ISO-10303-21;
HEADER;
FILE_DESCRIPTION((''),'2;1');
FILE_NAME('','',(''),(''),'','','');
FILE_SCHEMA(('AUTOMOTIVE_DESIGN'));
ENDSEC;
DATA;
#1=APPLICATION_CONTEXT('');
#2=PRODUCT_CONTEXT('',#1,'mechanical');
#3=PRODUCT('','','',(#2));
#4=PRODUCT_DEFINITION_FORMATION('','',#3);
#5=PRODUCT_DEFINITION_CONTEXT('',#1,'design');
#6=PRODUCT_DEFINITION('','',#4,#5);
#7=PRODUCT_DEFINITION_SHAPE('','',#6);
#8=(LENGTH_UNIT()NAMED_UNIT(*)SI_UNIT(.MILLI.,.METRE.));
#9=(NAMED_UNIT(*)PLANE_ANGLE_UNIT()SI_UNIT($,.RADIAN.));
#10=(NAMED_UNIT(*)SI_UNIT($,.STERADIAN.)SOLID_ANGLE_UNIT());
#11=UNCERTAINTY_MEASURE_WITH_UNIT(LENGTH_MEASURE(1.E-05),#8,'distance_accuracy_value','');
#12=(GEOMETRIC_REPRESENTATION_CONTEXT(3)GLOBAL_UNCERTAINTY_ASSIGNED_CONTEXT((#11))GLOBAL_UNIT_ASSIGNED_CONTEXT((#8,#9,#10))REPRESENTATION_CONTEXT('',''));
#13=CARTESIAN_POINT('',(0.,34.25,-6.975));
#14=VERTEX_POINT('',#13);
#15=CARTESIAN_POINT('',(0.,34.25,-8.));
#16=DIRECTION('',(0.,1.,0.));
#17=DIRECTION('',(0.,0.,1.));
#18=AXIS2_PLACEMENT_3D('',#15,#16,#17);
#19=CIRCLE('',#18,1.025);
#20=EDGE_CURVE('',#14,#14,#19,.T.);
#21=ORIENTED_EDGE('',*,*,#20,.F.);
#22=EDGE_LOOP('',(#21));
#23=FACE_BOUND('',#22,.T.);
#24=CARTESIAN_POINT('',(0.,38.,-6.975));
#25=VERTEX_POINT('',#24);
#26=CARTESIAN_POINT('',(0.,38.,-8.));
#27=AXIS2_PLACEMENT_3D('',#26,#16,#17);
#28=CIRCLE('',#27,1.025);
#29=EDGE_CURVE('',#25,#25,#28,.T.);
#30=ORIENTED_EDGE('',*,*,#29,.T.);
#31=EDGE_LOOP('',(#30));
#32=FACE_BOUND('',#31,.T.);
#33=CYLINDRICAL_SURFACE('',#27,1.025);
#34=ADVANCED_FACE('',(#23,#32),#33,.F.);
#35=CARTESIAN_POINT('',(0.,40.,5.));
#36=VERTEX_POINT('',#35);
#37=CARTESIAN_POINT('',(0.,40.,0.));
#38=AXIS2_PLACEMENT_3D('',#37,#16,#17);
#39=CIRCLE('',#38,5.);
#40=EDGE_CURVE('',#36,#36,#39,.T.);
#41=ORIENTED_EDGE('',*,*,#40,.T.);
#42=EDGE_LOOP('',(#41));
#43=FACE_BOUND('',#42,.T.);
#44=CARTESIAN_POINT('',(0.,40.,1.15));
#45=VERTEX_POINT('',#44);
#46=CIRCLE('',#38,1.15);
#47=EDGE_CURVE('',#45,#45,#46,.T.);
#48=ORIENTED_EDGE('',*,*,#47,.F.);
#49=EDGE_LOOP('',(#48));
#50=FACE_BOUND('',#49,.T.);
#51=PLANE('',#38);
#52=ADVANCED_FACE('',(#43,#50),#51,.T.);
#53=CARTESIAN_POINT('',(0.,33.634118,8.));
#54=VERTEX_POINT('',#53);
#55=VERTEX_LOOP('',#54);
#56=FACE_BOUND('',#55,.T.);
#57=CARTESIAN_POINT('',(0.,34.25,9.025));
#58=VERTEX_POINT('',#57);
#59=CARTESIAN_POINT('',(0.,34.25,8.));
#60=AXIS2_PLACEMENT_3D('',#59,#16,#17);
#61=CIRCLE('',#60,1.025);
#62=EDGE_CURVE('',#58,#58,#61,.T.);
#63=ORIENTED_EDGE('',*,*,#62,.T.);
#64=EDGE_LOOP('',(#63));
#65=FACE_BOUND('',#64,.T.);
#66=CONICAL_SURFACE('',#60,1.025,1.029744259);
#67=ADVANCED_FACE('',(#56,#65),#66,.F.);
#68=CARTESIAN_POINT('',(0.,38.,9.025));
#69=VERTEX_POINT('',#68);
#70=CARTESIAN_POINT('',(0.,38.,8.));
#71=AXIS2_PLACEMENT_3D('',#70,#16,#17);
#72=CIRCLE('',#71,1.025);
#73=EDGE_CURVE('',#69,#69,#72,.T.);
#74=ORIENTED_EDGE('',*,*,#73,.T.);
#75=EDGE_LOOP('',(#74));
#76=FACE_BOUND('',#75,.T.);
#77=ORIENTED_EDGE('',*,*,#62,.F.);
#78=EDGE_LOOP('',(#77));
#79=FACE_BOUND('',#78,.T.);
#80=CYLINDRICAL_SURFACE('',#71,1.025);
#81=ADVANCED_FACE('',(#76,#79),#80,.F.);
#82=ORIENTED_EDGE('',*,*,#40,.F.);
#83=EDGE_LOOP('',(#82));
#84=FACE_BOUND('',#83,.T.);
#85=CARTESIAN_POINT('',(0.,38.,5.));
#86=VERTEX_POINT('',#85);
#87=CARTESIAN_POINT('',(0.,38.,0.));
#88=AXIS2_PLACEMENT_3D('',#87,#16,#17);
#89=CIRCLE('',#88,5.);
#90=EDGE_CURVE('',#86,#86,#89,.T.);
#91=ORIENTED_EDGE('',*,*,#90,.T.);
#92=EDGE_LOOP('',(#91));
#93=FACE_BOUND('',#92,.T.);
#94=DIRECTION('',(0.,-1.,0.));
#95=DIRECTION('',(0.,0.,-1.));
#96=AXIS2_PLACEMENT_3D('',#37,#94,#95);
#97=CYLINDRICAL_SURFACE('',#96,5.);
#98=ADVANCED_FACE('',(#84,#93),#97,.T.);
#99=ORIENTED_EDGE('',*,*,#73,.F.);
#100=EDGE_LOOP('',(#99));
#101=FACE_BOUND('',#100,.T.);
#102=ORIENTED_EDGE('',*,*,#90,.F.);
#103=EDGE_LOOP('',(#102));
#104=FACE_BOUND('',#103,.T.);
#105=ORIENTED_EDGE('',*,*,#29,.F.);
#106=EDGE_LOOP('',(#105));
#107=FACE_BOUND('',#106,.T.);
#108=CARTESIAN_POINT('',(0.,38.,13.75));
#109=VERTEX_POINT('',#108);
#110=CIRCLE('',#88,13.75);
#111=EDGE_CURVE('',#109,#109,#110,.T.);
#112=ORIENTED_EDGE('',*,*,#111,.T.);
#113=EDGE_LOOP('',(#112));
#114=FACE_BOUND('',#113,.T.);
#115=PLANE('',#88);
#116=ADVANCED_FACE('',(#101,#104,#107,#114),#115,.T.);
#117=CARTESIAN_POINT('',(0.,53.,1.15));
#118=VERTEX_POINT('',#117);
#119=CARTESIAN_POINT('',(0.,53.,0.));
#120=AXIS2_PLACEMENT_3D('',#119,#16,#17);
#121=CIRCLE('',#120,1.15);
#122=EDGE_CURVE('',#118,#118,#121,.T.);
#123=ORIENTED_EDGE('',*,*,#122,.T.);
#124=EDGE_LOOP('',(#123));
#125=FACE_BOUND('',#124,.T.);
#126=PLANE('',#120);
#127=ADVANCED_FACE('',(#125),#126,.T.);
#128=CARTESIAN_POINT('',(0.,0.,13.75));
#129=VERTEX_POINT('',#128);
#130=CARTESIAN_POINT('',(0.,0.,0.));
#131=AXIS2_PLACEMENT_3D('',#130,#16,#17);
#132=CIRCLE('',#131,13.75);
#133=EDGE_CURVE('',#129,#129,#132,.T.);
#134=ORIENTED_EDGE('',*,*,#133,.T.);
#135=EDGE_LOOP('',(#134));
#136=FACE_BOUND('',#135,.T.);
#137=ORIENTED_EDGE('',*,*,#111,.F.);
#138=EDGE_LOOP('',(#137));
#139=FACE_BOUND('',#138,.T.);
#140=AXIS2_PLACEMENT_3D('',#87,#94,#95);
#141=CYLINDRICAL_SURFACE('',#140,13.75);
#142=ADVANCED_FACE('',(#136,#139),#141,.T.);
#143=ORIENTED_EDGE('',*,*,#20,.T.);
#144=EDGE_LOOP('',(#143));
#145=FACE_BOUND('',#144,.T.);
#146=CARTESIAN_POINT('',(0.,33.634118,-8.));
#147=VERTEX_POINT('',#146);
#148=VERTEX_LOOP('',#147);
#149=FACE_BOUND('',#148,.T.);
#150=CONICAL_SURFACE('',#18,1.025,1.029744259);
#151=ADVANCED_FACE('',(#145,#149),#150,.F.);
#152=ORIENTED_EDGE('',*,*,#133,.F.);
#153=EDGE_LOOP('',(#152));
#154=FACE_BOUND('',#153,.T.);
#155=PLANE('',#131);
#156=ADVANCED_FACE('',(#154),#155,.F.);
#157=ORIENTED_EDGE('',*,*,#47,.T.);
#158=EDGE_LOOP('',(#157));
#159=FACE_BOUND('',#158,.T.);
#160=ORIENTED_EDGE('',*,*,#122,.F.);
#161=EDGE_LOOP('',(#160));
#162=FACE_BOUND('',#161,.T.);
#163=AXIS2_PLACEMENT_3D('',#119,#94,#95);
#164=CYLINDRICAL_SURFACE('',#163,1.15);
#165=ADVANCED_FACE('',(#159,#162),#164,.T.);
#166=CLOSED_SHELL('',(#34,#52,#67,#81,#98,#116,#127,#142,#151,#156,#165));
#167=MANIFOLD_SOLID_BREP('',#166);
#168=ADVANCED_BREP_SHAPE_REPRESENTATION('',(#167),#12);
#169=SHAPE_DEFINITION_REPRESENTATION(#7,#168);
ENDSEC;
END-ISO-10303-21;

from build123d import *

# Parameters (mm, degrees)
SKETCH_1_R               = 13.75
EXTRUDE_1_DEPTH          = 38
SKETCH_2_R               = 5
EXTRUDE_2_DEPTH          = 2
SKETCH_3_R               = 1.15
EXTRUDE_3_DEPTH          = 13
HOLE_WIZARD_M2_5_1_D     = 2.05
HOLE_WIZARD_M2_5_1_DEPTH = 3.75
HOLE_WIZARD_M2_5_1_TIP   = 0.615882135


with BuildPart() as part:
    # 草图1 → 凸台-拉伸1 (new body)
    with BuildSketch(Plane(origin=(0, 0, 0), x_dir=(1, 0, 0), z_dir=(0, 1, 0))):
        Circle(SKETCH_1_R)
    extrude(amount=EXTRUDE_1_DEPTH)

    # 草图2 → 凸台-拉伸2 (add)
    with BuildSketch(Plane(origin=(0, 38, 0), x_dir=(1, 0, 0), z_dir=(0, 1, 0))):
        Circle(SKETCH_2_R)
    extrude(amount=EXTRUDE_2_DEPTH)

    # 草图3 → 凸台-拉伸3 (add)
    with BuildSketch(Plane(origin=(0, 40, 0), x_dir=(1, 0, 0), z_dir=(0, 1, 0))):
        Circle(SKETCH_3_R)
    extrude(amount=EXTRUDE_3_DEPTH)

    # M2.5 螺纹孔1
    with Locations(Plane(origin=(0, 38, 0), x_dir=(1, 0, 0), z_dir=(0, 1, 0))):
        with Locations((0, 8), (0, -8)):
            Hole(HOLE_WIZARD_M2_5_1_D / 2, depth=HOLE_WIZARD_M2_5_1_DEPTH)
            with Locations((0, 0, -(HOLE_WIZARD_M2_5_1_DEPTH + HOLE_WIZARD_M2_5_1_TIP / 2))):  # 118° drill point
                Cone(0, HOLE_WIZARD_M2_5_1_D / 2, HOLE_WIZARD_M2_5_1_TIP, mode=Mode.SUBTRACT)


solid = part.part
